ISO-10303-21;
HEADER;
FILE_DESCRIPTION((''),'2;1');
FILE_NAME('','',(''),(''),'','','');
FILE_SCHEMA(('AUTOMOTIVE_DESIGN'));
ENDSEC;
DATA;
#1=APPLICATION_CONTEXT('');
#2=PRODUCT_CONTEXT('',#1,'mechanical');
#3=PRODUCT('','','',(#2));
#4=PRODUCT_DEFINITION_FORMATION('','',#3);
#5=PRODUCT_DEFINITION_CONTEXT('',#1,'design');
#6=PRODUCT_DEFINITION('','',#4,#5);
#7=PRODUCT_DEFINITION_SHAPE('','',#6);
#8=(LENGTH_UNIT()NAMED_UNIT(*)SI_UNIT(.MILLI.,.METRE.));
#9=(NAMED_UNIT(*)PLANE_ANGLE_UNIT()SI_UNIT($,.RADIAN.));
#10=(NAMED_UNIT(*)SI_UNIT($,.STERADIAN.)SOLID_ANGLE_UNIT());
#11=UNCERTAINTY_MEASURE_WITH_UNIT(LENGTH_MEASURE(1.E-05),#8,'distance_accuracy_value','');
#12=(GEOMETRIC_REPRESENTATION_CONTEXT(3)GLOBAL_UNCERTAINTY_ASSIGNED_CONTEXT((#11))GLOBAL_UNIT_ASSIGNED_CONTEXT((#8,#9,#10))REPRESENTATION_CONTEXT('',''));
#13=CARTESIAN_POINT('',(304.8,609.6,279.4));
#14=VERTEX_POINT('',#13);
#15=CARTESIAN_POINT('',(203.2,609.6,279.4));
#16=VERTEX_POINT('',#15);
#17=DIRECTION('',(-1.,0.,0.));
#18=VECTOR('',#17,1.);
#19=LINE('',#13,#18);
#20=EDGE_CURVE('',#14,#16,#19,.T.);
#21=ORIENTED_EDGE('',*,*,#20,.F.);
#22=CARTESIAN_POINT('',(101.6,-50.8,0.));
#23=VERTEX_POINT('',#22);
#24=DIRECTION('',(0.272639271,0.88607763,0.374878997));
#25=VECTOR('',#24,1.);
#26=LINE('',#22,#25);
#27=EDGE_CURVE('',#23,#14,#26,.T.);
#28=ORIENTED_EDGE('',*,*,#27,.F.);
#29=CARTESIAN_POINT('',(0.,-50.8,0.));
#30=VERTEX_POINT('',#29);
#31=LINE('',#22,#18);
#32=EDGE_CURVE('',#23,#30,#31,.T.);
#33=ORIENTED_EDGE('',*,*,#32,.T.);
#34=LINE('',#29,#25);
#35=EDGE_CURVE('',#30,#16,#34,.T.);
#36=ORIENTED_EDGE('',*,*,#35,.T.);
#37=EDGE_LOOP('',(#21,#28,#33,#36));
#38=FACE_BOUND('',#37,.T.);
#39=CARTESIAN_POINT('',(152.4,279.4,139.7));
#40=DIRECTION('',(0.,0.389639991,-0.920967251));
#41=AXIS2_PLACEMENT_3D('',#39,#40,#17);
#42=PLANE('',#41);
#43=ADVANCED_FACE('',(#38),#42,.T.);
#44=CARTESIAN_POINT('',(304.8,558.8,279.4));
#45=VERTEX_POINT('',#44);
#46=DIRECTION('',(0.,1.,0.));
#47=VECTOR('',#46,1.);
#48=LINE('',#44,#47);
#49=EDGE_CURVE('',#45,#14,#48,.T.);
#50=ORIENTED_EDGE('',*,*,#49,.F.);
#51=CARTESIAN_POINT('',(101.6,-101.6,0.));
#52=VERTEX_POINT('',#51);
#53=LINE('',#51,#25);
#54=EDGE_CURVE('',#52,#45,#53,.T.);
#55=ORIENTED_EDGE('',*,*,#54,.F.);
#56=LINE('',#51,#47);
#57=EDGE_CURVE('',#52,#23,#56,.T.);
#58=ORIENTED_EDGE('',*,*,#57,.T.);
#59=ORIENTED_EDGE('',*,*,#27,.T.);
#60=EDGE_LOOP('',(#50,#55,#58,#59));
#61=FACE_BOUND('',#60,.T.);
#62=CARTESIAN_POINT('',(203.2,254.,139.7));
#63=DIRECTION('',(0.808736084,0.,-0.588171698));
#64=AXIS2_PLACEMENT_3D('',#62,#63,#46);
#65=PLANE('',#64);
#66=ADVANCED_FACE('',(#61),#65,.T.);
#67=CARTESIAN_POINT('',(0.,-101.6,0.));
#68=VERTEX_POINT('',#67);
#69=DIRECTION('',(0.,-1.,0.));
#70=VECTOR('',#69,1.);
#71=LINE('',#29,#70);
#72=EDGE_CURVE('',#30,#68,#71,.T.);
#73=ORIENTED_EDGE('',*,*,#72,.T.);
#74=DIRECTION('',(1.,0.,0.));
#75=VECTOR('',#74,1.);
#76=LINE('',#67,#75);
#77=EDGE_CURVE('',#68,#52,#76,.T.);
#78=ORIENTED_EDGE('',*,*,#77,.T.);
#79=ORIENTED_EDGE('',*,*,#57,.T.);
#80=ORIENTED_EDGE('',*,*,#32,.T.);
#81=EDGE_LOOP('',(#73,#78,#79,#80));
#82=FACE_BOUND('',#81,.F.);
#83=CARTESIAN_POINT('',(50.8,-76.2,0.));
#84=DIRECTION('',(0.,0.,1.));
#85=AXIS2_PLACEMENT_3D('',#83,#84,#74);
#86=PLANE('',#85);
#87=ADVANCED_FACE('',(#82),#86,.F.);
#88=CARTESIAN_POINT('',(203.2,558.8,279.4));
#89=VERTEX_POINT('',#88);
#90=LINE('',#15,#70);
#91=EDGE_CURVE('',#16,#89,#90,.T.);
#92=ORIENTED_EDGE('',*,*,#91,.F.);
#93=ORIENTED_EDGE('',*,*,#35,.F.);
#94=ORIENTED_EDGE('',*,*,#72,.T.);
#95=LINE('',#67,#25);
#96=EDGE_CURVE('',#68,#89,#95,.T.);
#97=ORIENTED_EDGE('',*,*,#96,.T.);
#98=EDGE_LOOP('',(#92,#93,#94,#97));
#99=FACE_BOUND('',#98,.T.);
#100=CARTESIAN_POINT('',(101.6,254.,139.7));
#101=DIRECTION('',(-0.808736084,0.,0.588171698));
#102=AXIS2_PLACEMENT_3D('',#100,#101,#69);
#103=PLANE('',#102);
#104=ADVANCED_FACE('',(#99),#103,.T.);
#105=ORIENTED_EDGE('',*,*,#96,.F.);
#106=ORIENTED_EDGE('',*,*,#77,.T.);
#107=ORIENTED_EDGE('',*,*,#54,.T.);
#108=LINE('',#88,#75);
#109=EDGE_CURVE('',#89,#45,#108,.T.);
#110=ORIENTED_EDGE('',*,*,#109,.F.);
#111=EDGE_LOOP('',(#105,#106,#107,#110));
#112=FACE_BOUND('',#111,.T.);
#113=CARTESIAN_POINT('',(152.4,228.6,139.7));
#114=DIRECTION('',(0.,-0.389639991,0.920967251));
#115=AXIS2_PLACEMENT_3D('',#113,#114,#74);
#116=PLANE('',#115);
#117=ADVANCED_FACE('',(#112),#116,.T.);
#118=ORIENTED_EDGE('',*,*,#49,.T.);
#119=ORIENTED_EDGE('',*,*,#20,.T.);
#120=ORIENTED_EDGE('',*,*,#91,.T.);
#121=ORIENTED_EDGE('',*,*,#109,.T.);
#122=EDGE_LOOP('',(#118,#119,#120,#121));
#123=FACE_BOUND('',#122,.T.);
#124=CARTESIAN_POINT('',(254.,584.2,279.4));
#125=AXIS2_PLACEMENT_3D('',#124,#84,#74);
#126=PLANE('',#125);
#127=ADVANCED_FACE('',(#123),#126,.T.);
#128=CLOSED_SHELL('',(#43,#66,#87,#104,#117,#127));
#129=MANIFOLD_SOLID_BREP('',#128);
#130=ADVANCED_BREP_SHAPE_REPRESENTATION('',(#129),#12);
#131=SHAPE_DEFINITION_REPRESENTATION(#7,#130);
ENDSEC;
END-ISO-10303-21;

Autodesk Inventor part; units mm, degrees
ref_plane "YZ Plane" through (0, 0, 0) normal (1, 0, 0) x (0, 1, 0)
ref_plane "XZ Plane" through (0, 0, 0) normal (0, 1, 0) x (-1, 0, 0)
ref_plane "XY Plane" through (0, 0, 0) normal (0, 0, 1) x (1, 0, 0)
ref_plane "Work Plane1" through (0, 0, 0) normal (0, 0, 1) x (1, 0, 0)
sketch "Sketch1" plane through (0, 0, 0) normal (0, 0, 1) x (1, 0, 0)
  line L0 (0, -101.6) -> (101.6, -101.6)
  line L1 (101.6, -101.6) -> (101.6, -50.8)
  line L2 (101.6, -50.8) -> (0, -50.8)
  line L3 (0, -50.8) -> (0, -101.6)
  point P0 (0, 0)
  point P1 (50.8, -76.2)
  dimension "d0" = 101.6
  dimension "d1" = 50.8
ref_plane "Work Plane3" through (533.4, 660.4, 279.4) normal (0, 0, 1) x (1, 0, 0)
sketch "Sketch3" plane through (533.4, 660.4, 279.4) normal (0, 0, 1) x (1, 0, 0)
  line L0 (1117.6, -50.8) -> (-1117.6, -50.8) projected
  line L1 (-533.4, -50.8) -> (-533.4, -660.4) projected
  line L2 (-228.6, -50.8) -> (-330.2, -50.8)
  line L3 (-330.2, -50.8) -> (-330.2, -101.6)
  line L4 (-330.2, -101.6) -> (-228.6, -101.6)
  line L5 (-228.6, -101.6) -> (-228.6, -50.8)
  point P0 (-279.4, -76.2)
  dimension "d16" = 101.6
  dimension "d17" = 50.8
  dimension "d18" = 203.2
sketch3d "3D Sketch4"
  line L0 (50.8, -76.2, 0) -> (254, 584.2, 279.4)
sweep "Sweep2" add profiles "Sketch1" path "3D Sketch4"
properties part number "Bottom jaw diagonals 2"
